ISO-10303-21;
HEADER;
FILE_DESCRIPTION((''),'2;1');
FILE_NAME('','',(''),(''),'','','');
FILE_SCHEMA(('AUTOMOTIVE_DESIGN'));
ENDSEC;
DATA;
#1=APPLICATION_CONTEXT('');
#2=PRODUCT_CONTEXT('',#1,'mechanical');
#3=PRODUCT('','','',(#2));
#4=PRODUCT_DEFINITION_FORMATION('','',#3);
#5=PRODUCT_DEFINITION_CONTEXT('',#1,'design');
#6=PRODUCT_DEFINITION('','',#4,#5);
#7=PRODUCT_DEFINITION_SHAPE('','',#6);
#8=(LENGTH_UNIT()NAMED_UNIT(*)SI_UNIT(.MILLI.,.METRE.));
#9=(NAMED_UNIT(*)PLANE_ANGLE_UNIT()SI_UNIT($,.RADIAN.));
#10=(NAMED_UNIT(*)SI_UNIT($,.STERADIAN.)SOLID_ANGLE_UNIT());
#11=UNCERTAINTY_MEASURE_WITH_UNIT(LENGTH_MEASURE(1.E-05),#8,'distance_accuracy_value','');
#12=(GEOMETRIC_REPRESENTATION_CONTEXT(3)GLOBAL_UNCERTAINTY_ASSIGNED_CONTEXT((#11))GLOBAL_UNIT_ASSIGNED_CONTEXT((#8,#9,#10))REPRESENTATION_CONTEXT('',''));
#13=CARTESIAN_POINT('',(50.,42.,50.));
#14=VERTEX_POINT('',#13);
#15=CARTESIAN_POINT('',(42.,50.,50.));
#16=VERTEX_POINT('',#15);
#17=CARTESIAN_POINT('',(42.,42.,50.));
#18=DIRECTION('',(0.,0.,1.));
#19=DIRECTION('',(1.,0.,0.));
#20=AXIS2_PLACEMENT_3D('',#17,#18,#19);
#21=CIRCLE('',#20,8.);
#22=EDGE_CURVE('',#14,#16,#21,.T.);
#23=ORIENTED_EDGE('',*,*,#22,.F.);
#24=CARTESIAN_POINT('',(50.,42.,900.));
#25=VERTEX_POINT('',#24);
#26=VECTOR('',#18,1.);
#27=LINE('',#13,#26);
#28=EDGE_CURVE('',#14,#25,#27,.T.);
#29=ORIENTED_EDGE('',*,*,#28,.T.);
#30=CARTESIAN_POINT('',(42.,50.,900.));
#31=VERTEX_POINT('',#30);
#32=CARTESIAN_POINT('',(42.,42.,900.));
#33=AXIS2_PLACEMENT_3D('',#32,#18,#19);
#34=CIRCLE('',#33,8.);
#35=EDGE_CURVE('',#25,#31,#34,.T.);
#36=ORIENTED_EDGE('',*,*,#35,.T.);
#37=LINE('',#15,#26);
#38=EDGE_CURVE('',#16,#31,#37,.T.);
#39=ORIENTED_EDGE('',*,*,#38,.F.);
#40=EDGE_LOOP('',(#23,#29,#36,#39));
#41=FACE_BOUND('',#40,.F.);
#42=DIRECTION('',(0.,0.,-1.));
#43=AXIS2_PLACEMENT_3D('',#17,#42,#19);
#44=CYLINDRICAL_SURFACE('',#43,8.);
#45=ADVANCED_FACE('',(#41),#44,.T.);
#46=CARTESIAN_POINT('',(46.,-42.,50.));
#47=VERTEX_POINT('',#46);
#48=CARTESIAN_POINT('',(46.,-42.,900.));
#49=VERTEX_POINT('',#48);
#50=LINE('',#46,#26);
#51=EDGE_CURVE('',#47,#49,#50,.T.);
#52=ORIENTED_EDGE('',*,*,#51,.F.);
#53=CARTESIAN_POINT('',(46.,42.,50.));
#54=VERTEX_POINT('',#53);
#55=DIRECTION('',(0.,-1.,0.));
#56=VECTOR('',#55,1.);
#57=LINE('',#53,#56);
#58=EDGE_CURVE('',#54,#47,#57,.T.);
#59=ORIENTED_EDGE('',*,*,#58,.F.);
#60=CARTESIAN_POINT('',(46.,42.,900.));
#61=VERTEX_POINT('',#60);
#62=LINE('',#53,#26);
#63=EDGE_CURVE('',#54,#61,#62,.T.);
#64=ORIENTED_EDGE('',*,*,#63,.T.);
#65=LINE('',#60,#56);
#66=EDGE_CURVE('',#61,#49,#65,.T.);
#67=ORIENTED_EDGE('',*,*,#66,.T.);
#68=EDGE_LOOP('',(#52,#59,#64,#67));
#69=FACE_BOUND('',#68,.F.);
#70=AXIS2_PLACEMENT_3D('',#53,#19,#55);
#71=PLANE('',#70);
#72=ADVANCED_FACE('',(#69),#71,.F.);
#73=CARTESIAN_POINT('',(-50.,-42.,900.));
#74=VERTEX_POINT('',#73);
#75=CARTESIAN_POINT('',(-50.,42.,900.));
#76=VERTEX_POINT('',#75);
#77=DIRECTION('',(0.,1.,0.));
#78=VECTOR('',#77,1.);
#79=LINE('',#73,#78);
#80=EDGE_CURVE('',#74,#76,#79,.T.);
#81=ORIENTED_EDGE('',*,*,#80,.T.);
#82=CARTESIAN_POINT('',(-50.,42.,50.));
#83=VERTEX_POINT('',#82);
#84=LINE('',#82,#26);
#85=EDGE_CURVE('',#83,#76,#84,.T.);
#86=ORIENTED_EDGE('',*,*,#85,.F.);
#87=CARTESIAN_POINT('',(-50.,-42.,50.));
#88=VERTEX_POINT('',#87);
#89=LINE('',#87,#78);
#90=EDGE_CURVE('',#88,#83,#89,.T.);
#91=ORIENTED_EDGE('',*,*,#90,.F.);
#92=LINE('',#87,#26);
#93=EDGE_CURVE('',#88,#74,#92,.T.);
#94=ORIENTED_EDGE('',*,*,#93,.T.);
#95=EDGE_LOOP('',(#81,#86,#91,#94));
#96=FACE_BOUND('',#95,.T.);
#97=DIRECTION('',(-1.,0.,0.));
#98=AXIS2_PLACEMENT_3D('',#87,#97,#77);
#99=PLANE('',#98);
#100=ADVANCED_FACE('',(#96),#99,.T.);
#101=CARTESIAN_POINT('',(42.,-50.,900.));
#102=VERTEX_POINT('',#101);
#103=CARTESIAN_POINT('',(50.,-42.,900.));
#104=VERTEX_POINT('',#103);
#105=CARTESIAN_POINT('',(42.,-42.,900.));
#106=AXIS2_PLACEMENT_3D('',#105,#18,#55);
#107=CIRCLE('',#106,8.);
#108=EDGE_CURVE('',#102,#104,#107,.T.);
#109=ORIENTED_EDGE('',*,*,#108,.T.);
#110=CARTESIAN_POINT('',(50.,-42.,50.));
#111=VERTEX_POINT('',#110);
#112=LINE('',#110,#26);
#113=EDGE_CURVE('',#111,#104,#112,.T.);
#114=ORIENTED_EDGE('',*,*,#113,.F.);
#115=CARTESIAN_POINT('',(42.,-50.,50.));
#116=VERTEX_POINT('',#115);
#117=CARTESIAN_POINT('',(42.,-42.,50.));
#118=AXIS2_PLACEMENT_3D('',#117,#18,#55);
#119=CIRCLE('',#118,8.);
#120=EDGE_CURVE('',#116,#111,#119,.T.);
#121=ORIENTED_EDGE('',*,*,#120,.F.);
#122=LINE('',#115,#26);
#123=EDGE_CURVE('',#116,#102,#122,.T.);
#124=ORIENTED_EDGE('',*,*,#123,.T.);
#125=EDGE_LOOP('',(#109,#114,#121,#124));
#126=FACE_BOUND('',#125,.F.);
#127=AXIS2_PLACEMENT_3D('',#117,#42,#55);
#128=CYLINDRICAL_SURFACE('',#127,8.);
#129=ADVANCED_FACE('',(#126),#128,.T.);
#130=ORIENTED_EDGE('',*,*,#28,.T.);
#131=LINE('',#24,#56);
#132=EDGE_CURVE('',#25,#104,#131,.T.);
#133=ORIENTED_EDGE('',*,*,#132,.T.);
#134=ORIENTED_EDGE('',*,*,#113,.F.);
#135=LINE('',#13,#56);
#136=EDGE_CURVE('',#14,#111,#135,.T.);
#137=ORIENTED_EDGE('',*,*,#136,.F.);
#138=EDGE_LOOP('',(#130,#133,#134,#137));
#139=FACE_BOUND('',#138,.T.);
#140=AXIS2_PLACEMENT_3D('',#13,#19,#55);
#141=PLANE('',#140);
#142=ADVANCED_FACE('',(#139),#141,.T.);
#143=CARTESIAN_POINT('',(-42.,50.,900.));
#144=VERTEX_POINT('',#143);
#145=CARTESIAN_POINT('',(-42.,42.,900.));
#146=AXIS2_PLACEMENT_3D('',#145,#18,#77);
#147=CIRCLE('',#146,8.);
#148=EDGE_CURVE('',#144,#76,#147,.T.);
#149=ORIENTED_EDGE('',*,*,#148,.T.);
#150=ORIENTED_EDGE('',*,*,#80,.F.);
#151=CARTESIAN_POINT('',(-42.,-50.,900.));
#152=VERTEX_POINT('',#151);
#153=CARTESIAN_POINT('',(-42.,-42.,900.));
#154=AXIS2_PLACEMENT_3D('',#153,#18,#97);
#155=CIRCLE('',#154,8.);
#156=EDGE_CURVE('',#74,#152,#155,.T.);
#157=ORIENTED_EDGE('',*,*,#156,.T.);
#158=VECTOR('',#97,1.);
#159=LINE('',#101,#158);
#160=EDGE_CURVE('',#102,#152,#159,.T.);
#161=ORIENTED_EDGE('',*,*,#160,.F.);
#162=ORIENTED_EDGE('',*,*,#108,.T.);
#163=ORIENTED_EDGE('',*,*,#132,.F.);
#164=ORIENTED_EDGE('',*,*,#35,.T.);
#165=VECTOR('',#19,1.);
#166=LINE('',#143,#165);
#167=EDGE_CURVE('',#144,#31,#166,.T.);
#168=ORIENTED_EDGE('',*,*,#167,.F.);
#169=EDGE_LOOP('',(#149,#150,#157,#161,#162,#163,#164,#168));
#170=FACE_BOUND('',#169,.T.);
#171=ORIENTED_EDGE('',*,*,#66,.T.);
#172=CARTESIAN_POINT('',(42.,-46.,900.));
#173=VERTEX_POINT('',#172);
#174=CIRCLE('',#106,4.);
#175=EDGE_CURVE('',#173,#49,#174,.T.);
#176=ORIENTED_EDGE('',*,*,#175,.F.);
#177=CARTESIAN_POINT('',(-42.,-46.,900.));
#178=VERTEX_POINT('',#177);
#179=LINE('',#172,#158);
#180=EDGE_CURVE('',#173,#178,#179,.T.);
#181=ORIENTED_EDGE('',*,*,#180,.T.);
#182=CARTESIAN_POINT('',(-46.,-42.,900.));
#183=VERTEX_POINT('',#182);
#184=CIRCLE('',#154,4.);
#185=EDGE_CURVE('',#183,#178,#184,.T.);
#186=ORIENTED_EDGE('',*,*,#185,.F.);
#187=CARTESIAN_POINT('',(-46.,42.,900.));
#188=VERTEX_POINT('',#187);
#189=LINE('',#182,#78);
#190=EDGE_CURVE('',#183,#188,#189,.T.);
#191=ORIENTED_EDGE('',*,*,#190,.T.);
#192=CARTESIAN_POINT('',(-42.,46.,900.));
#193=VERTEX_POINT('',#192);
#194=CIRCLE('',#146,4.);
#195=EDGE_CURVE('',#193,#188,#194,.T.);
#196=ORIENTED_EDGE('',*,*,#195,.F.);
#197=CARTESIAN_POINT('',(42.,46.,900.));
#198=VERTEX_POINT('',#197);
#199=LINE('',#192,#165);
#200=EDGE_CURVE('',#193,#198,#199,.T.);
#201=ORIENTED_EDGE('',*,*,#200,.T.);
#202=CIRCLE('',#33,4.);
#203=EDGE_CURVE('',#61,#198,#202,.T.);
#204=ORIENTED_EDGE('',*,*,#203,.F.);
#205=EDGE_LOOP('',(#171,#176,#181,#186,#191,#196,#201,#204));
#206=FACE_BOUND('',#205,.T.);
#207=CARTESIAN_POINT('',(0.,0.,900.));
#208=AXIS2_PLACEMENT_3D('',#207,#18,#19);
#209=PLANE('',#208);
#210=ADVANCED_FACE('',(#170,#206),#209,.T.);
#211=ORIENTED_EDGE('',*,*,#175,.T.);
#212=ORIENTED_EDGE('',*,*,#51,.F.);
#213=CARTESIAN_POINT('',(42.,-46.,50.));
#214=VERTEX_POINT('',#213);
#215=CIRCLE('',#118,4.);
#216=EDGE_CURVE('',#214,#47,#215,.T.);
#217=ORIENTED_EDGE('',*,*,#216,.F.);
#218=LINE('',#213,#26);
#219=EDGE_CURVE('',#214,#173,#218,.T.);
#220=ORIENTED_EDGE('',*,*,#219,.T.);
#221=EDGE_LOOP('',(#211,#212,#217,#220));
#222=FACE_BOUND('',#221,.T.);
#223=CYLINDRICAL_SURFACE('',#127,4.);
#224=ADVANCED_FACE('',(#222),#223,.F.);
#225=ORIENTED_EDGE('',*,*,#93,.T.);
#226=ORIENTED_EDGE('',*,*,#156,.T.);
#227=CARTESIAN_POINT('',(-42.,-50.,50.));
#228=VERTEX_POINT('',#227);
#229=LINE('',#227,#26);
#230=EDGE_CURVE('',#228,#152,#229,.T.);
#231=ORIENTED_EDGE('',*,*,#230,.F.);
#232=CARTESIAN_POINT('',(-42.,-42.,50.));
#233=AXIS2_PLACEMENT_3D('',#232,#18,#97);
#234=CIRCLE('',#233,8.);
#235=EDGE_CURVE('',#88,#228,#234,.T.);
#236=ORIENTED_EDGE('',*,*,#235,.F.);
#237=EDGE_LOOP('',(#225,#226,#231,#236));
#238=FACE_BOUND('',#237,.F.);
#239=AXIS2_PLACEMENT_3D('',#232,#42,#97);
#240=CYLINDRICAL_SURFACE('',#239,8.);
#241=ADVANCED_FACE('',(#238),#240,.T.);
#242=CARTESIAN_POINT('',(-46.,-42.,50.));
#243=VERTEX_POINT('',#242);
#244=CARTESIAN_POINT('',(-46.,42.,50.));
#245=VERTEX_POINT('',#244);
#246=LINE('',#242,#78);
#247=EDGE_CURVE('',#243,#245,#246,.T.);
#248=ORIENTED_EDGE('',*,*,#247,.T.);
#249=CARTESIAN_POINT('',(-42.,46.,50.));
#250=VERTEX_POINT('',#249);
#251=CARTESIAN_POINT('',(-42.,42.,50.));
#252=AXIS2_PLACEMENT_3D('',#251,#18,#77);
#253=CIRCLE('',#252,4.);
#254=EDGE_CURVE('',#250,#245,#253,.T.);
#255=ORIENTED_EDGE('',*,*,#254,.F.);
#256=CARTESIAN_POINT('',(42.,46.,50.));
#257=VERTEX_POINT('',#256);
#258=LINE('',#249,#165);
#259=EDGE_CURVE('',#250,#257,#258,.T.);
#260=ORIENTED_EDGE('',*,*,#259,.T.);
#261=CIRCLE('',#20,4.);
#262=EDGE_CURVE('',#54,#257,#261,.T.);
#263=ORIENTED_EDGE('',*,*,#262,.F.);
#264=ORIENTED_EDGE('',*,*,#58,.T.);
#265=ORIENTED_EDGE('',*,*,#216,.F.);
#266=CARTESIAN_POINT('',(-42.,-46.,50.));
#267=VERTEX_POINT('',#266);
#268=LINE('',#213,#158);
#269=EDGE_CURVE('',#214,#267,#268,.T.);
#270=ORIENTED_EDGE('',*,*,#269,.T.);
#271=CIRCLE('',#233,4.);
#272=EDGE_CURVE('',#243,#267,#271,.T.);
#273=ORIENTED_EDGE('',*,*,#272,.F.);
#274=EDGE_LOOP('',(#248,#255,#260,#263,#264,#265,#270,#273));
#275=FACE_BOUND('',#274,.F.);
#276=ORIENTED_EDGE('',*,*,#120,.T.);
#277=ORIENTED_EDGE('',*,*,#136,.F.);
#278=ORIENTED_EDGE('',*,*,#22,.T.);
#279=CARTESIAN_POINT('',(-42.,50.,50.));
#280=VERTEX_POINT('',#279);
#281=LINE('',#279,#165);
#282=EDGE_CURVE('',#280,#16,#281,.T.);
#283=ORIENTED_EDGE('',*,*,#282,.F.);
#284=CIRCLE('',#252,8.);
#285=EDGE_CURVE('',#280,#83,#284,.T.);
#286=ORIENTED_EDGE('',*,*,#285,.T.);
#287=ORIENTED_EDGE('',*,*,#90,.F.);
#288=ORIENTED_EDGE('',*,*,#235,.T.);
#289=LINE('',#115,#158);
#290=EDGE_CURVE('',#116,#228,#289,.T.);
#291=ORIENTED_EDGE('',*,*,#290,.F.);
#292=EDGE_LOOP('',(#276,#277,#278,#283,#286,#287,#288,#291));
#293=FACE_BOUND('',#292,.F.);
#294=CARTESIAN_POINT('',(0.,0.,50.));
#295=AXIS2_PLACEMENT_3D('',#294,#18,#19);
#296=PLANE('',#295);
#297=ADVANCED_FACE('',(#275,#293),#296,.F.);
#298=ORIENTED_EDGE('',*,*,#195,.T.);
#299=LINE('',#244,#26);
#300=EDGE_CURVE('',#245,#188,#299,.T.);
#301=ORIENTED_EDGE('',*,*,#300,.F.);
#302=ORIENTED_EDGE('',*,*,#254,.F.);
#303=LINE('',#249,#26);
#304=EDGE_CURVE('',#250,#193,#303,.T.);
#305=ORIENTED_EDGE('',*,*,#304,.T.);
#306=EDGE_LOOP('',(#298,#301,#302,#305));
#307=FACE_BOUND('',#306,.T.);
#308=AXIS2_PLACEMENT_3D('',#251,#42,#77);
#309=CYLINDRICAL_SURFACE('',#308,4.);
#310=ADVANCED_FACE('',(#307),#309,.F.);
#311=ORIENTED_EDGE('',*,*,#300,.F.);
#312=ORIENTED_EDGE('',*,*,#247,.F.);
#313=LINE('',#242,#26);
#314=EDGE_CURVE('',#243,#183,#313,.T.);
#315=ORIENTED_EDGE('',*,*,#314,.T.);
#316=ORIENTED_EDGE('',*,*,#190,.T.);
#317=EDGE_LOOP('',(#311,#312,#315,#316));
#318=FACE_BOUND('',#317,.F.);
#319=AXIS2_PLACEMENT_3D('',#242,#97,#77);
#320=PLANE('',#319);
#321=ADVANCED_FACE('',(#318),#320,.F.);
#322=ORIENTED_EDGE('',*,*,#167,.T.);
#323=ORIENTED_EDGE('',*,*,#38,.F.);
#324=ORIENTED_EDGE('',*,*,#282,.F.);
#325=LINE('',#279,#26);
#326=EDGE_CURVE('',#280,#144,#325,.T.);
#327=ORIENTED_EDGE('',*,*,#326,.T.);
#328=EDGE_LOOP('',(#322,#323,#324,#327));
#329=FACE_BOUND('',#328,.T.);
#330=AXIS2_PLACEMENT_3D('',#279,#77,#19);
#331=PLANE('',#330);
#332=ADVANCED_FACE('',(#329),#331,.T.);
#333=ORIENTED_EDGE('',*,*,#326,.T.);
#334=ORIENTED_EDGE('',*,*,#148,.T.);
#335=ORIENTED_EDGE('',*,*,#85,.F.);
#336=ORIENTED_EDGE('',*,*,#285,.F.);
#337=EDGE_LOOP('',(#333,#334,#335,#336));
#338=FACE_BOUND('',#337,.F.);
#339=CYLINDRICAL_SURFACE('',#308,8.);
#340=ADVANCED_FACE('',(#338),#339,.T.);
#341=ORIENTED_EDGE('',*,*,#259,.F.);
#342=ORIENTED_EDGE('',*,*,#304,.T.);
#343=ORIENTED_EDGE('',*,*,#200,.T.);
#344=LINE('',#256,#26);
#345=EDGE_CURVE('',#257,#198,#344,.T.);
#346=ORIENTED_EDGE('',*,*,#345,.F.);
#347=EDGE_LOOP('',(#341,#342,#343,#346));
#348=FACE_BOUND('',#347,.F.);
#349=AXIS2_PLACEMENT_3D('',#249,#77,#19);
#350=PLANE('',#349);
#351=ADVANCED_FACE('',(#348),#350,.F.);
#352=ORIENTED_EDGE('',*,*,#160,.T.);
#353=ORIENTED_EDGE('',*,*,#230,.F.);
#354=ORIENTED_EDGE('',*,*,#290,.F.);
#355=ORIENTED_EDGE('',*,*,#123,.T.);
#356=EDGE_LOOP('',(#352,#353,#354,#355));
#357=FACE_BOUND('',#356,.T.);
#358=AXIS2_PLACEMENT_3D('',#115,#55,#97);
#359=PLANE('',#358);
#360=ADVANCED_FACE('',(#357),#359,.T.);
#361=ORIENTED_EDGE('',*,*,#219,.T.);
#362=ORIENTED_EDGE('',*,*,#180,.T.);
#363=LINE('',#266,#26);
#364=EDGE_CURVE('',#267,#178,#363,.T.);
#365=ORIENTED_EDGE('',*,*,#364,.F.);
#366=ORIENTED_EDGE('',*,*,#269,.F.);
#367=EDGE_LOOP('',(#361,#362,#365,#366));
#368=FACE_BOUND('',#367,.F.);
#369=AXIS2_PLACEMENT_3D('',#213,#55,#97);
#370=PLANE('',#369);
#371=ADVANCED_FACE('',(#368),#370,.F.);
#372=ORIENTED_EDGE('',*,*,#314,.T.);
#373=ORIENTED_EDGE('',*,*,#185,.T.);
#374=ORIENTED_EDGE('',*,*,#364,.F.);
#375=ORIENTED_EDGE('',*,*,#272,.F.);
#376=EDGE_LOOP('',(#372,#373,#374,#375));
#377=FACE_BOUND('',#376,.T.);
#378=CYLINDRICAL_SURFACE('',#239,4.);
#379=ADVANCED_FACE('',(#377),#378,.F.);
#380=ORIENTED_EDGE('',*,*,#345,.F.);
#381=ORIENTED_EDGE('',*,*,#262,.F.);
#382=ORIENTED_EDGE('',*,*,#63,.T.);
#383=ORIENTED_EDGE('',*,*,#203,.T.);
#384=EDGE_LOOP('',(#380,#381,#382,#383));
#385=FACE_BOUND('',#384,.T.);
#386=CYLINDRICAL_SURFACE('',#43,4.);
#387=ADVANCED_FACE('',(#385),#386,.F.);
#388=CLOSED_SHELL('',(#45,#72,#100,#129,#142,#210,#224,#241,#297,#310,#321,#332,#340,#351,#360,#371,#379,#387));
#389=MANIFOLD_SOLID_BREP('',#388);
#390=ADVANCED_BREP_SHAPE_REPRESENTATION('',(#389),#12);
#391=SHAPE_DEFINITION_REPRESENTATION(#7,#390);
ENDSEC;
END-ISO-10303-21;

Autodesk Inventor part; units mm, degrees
ref_plane "YZ Plane" through (0, 0, 0) normal (1, 0, 0) x (0, 1, 0)
ref_plane "Start Plane" through (0, 0, 50) normal (0, 0, 1) x (1, 0, 0)
ref_plane "End Plane" through (0, 0, 900) normal (0, 0, 1) x (1, 0, 0)
sketch "Sketch" plane through (0, 0, 0) normal (0, 0, 1) x (1, 0, 0)
  line L0 (-50, -42) -> (-50, 42)
  line L1 (-42, 50) -> (42, 50)
  line L2 (50, 42) -> (50, -42)
  line L3 (42, -50) -> (-42, -50)
  arc A0 (-50, -42) -> (-42, -50) centre (-42, -42) ccw
  arc A1 (50, 42) -> (42, 50) centre (42, 42) ccw
  arc A2 (-42, 50) -> (-50, 42) centre (-42, 42) ccw
  arc A3 (42, -50) -> (50, -42) centre (42, -42) ccw
  arc A4 (-42, 46) -> (-46, 42) centre (-42, 42) ccw
  line L4 (-42, 46) -> (42, 46)
  arc A5 (46, 42) -> (42, 46) centre (42, 42) ccw
  line L5 (46, 42) -> (46, -42)
  arc A6 (42, -46) -> (46, -42) centre (42, -42) ccw
  line L6 (42, -46) -> (-42, -46)
  arc A7 (-46, -42) -> (-42, -46) centre (-42, -42) ccw
  line L7 (-46, -42) -> (-46, 42)
  line L8 (0, 72.3196) -> (0, -72.3196) construction
  line L9 (-72.3196, 0) -> (72.3196, 0) construction
  dimension "d7" = 8
  dimension "d9" = 100
  dimension "d11" = 100
  dimension "d12" = 4
  dimension "d15" = 50
  dimension "d16" = 50
extrude "Body" add sketch "Sketch" along normal up to surface (850 mm away) from surface at 50
sketch "Sketch3" plane through (0, 0, 0) normal (0, 0, 1) x (1, 0, 0)
  line L0 (0, 0) -> (10, 0)
ref_plane "Work Plane3" through (0, 0, 0) normal (0, -1, 0) x (1, 0, 0)
sketch "Sketch4" plane through (0, 0, 0) normal (0, -1, 0) x (1, 0, 0)
  line L0 (-2, 50) -> (12, 50) projected
  line L1 (-2, 900) -> (12, 900) projected
  dimension "d18" = 850
equation "\"d7\" = G_IR"
equation "\"d9\" = G_W"
equation "\"d11\" = G_H"
equation "\"d12\" = G_T"
equation "\"d15\" = 0.5 * d9"
equation "\"d16\" = 0.5 * d11"
equation "\"d3\" = G_L"
equation "\"G_W\" = 100"
equation "\"G_H\" = 100"
equation "\"G_T\" = 4"
equation "\"G_IR\" = 8"
equation "\"G_L\" = d18"
properties part number "ISO 10799-2 - 100x100x4 - 850" material "Steel, Mild"
